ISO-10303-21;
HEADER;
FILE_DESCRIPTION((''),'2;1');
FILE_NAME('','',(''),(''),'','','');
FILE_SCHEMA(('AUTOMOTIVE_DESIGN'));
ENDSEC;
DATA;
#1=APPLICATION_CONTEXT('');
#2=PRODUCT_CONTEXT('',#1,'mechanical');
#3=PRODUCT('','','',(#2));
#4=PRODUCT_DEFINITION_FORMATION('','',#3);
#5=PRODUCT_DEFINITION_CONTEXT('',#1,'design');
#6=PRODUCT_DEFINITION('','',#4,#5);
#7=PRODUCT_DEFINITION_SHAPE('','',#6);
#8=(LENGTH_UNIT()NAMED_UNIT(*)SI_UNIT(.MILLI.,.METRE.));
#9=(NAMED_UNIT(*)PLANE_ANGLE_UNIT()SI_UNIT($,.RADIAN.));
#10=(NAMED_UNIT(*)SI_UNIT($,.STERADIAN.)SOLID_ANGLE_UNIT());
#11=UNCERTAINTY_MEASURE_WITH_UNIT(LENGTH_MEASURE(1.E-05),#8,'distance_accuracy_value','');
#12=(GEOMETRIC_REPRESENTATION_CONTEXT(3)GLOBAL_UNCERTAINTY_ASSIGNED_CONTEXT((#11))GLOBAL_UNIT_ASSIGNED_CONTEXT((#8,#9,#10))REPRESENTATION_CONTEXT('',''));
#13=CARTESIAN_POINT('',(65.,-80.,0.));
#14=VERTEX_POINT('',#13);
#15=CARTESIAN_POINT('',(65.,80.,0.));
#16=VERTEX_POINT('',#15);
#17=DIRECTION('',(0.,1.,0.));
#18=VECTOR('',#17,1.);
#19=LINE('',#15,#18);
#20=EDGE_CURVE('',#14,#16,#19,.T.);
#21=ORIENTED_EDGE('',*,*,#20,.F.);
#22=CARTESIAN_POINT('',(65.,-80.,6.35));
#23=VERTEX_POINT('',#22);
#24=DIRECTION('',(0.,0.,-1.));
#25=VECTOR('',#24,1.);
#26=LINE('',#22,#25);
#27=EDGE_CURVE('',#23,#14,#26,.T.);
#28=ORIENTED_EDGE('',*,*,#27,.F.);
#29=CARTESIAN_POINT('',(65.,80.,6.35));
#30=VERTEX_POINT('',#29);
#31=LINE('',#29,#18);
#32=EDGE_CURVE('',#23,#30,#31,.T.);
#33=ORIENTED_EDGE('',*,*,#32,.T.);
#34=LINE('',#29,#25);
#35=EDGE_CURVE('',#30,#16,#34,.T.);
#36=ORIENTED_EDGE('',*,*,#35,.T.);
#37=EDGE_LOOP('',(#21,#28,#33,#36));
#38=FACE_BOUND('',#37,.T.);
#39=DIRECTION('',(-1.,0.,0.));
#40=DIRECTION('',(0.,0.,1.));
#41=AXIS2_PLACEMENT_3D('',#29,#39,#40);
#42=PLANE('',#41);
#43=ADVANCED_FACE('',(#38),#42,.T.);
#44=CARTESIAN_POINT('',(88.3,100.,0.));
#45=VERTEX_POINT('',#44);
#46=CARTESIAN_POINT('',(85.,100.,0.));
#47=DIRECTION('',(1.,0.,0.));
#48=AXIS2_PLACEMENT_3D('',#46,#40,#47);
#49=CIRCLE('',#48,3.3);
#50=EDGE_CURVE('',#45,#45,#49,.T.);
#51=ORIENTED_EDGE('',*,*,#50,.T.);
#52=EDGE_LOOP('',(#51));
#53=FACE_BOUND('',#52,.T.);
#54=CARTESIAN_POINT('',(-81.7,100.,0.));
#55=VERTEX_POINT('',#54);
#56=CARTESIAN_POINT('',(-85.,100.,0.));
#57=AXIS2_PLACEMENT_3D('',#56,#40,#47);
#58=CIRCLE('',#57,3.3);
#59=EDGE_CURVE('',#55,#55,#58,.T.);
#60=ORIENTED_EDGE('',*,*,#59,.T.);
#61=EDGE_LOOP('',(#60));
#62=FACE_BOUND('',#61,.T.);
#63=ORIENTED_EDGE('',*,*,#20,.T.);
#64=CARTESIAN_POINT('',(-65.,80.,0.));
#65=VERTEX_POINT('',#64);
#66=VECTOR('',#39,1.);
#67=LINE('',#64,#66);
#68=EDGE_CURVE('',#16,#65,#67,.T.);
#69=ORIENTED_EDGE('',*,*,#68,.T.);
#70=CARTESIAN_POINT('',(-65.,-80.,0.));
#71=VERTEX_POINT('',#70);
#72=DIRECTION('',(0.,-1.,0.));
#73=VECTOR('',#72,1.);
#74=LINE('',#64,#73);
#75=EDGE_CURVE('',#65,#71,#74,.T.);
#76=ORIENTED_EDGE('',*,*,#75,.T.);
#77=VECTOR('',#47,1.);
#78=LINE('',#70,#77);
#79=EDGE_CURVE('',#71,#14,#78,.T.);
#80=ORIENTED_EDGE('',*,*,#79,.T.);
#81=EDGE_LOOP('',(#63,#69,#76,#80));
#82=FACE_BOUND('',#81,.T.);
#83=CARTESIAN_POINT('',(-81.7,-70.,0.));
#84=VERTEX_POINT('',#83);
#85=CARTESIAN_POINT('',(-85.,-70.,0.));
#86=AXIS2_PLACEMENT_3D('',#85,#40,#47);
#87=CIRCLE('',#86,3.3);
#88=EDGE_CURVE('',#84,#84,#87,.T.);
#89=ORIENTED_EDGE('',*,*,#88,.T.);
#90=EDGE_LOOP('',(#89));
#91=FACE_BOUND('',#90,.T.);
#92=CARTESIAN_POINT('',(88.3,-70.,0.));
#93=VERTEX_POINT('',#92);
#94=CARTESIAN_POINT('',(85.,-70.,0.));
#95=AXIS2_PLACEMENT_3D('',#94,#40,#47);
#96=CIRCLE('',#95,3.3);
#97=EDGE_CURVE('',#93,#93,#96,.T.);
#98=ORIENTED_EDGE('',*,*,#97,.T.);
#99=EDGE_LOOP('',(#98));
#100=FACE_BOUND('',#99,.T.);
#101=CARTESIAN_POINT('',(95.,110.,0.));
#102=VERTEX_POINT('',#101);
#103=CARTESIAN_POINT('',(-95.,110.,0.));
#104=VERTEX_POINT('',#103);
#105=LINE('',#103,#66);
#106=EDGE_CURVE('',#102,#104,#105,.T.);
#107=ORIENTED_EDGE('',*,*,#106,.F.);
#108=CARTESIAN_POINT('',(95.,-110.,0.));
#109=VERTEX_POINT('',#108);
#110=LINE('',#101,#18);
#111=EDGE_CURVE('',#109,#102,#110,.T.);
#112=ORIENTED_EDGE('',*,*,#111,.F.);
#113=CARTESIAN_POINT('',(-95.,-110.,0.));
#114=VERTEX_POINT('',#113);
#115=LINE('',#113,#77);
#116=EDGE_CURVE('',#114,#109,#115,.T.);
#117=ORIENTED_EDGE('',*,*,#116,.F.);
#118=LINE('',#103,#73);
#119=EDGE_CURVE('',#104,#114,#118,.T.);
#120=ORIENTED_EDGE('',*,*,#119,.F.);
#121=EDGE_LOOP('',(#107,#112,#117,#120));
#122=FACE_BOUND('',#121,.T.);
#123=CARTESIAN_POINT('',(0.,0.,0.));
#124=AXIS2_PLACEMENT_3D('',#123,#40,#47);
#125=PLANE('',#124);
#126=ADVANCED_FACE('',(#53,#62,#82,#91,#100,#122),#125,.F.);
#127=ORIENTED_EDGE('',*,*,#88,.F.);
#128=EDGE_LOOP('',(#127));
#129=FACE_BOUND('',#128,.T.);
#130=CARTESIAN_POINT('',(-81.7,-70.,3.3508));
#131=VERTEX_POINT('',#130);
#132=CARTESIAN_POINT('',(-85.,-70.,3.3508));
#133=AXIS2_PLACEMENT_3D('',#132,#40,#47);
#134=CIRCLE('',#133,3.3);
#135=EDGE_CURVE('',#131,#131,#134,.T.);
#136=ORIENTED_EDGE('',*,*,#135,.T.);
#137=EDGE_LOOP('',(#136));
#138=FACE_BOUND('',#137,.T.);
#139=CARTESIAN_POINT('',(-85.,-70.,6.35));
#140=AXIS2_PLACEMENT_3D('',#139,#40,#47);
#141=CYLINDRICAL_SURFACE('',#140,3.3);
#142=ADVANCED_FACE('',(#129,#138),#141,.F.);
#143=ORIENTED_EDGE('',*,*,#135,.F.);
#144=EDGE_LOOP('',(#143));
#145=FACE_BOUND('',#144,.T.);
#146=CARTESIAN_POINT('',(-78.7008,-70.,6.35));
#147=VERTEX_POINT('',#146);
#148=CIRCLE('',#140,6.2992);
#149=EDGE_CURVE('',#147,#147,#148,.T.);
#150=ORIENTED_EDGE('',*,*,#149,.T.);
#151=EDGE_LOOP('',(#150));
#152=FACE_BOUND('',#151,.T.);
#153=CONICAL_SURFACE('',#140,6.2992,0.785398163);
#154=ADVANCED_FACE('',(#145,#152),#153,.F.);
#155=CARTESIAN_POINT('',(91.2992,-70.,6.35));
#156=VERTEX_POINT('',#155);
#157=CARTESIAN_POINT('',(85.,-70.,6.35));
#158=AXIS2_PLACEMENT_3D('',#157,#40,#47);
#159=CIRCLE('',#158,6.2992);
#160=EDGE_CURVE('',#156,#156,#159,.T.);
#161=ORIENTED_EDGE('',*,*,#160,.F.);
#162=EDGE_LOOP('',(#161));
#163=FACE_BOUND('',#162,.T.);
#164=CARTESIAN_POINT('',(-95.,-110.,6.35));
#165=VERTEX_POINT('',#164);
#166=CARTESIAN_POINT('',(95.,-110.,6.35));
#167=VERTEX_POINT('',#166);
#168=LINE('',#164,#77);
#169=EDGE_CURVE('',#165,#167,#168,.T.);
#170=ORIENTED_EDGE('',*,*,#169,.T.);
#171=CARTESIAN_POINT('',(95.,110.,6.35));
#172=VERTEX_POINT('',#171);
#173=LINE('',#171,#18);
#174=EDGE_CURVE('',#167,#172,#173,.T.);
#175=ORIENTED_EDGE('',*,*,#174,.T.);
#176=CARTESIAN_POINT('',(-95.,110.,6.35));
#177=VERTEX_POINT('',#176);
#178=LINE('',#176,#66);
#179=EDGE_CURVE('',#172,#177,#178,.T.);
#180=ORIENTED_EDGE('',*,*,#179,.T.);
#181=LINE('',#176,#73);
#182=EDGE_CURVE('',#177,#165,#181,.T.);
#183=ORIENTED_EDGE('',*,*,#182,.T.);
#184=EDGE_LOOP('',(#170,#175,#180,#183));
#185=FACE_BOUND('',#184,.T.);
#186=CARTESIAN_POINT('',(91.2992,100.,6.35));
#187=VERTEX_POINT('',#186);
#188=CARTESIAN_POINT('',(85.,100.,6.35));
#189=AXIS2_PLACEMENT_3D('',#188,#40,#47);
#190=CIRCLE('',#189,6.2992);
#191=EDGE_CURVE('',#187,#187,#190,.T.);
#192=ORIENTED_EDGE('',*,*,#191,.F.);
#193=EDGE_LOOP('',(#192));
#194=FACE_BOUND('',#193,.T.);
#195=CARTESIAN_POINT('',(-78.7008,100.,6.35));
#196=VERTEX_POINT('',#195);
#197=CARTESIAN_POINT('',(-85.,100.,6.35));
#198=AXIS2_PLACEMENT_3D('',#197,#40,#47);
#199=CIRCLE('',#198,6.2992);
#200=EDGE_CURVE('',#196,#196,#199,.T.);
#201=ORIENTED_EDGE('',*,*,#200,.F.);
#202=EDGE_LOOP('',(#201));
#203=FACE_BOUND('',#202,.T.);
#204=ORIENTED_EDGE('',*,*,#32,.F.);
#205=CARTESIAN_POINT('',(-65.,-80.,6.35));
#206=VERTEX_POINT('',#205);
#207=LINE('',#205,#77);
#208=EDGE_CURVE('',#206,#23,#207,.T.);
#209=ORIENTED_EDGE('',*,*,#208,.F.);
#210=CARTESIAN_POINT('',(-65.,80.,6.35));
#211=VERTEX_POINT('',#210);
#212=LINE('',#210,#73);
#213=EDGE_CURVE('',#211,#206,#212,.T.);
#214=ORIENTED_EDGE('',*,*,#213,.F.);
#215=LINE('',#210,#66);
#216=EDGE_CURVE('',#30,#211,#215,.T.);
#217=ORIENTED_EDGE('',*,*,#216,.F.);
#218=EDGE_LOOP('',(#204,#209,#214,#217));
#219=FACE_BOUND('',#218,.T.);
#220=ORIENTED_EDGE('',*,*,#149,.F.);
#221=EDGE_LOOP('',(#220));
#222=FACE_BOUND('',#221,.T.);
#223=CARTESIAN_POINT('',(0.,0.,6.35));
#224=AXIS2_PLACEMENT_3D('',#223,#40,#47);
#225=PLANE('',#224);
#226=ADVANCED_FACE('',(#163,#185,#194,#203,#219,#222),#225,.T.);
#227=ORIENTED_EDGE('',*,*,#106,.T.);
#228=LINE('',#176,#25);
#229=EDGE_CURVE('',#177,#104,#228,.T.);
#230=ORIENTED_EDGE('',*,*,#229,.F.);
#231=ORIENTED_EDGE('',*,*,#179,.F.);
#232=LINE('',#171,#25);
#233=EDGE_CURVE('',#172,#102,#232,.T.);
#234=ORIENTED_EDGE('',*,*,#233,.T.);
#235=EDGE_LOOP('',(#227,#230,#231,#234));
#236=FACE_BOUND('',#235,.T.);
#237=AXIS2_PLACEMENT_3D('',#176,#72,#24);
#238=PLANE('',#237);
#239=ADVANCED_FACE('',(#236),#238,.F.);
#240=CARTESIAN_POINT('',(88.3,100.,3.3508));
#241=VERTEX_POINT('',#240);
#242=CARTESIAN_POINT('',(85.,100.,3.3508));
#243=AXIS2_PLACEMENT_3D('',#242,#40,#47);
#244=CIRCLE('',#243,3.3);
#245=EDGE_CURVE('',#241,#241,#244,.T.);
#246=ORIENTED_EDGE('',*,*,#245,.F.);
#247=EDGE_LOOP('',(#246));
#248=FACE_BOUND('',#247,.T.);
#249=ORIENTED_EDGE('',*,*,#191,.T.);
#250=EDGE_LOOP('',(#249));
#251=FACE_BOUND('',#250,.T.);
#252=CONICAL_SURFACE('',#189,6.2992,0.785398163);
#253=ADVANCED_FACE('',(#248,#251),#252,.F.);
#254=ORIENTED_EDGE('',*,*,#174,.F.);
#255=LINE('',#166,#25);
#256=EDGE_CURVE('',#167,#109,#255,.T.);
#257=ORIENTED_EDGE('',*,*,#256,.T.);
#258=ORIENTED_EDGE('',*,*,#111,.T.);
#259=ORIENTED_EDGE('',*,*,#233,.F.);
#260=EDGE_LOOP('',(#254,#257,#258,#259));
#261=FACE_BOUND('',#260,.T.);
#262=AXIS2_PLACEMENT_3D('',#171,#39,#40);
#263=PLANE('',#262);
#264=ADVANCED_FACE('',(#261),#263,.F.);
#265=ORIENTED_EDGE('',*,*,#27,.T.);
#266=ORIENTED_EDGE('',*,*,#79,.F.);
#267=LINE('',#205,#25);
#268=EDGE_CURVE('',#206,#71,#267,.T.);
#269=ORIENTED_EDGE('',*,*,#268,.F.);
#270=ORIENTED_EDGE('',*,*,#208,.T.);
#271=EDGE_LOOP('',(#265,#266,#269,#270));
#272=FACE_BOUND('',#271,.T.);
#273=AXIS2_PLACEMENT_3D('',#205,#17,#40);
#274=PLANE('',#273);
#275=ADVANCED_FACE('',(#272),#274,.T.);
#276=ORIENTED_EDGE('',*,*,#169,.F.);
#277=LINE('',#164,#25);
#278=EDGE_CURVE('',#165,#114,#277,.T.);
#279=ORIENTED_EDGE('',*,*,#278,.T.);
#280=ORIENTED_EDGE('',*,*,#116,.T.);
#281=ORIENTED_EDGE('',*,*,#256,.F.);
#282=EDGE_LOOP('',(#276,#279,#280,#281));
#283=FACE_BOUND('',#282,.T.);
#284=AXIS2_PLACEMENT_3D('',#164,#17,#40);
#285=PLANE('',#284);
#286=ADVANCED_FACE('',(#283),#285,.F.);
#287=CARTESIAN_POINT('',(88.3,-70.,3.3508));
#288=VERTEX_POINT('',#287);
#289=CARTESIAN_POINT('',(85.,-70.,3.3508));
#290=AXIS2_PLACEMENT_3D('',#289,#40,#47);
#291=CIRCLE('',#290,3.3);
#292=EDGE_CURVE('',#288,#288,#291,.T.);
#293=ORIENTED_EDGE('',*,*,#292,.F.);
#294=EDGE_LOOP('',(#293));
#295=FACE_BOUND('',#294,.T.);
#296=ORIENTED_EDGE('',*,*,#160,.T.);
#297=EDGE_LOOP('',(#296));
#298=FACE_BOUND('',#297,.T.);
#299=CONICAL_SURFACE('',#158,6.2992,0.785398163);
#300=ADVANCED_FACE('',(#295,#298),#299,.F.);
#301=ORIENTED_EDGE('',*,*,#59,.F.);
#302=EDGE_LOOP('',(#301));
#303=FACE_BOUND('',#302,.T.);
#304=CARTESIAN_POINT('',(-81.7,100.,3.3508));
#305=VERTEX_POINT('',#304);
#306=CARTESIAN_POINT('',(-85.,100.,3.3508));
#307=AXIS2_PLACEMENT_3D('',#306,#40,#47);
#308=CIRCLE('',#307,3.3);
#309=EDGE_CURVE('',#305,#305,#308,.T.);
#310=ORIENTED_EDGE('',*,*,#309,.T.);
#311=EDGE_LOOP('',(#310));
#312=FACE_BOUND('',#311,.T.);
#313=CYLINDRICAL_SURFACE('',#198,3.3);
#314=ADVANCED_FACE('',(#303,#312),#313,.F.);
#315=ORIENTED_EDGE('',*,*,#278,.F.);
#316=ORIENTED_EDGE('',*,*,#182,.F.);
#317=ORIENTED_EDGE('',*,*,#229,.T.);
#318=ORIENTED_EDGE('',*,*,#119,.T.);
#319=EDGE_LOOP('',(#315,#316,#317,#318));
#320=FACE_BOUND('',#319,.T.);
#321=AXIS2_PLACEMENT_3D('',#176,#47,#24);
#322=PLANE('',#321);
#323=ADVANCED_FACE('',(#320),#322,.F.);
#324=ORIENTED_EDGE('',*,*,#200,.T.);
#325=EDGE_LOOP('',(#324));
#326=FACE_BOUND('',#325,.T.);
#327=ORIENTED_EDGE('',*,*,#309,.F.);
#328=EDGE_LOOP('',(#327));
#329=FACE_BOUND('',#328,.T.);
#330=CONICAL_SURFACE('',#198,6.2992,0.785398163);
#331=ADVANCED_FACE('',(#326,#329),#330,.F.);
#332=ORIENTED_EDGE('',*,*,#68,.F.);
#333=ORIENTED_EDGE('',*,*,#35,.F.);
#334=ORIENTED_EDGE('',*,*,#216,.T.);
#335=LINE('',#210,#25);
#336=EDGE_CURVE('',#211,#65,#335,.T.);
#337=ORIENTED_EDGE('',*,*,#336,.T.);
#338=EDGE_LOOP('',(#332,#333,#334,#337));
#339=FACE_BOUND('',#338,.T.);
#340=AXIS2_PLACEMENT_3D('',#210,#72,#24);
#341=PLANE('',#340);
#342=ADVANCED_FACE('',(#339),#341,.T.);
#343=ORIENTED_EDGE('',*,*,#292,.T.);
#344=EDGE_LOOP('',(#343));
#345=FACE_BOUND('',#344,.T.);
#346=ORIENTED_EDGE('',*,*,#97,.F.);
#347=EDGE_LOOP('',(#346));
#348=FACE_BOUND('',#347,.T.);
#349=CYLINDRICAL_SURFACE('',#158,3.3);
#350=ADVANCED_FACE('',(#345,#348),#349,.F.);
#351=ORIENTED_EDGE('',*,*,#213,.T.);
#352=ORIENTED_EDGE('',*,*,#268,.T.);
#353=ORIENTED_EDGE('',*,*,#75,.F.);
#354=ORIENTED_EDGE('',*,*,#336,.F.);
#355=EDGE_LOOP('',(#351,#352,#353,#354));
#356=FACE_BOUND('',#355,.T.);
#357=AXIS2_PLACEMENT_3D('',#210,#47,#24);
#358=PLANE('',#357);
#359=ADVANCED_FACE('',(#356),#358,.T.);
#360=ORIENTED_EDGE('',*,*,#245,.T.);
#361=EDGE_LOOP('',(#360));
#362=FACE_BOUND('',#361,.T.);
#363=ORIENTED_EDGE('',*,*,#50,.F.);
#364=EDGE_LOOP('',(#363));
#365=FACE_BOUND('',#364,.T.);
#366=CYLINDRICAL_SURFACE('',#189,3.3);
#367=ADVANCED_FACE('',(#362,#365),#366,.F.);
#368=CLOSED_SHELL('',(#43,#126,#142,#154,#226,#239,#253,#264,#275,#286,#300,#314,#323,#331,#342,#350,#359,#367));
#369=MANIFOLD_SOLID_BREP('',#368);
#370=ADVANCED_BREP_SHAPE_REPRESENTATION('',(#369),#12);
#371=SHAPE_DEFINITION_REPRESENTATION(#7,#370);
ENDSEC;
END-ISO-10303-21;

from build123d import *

# Parameters (mm, degrees)
SKETCH1_W                                           = 190
SKETCH1_H                                           = 220
SKETCH1_W_2                                         = 130
SKETCH1_H_2                                         = 160
BOSS_EXTRUDE1_DEPTH                                 = 6.35
CSK_FOR_M6_COUNTERSUNK_FLAT_HEAD_SCREW1_D           = 6.6
CSK_FOR_M6_COUNTERSUNK_FLAT_HEAD_SCREW1_DEPTH       = 45
CSK_FOR_M6_COUNTERSUNK_FLAT_HEAD_SCREW1_CSINK_D     = 12.5984
CSK_FOR_M6_COUNTERSUNK_FLAT_HEAD_SCREW1_CSINK_ANGLE = 90
CSK_FOR_M6_COUNTERSUNK_FLAT_HEAD_SCREW1_TIP         = 1.982840043


with BuildPart() as part:
    # Sketch1 → Boss-Extrude1 (new body)
    with BuildSketch(Plane.XY):
        Rectangle(SKETCH1_W, SKETCH1_H)
        Rectangle(SKETCH1_W_2, SKETCH1_H_2, mode=Mode.SUBTRACT)
    extrude(amount=BOSS_EXTRUDE1_DEPTH)

    # CSK for M6 Countersunk Flat Head Screw1
    with Locations(Plane.XY.offset(6.35)):
        with Locations((-85, -70), (-85, 100), (85, 100), (85, -70)):
            CounterSinkHole(CSK_FOR_M6_COUNTERSUNK_FLAT_HEAD_SCREW1_D / 2, CSK_FOR_M6_COUNTERSUNK_FLAT_HEAD_SCREW1_CSINK_D / 2, depth=CSK_FOR_M6_COUNTERSUNK_FLAT_HEAD_SCREW1_DEPTH, counter_sink_angle=CSK_FOR_M6_COUNTERSUNK_FLAT_HEAD_SCREW1_CSINK_ANGLE)
            with Locations((0, 0, -(CSK_FOR_M6_COUNTERSUNK_FLAT_HEAD_SCREW1_DEPTH + CSK_FOR_M6_COUNTERSUNK_FLAT_HEAD_SCREW1_TIP / 2))):  # 118° drill point
                Cone(0, CSK_FOR_M6_COUNTERSUNK_FLAT_HEAD_SCREW1_D / 2, CSK_FOR_M6_COUNTERSUNK_FLAT_HEAD_SCREW1_TIP, mode=Mode.SUBTRACT)


solid = part.part
